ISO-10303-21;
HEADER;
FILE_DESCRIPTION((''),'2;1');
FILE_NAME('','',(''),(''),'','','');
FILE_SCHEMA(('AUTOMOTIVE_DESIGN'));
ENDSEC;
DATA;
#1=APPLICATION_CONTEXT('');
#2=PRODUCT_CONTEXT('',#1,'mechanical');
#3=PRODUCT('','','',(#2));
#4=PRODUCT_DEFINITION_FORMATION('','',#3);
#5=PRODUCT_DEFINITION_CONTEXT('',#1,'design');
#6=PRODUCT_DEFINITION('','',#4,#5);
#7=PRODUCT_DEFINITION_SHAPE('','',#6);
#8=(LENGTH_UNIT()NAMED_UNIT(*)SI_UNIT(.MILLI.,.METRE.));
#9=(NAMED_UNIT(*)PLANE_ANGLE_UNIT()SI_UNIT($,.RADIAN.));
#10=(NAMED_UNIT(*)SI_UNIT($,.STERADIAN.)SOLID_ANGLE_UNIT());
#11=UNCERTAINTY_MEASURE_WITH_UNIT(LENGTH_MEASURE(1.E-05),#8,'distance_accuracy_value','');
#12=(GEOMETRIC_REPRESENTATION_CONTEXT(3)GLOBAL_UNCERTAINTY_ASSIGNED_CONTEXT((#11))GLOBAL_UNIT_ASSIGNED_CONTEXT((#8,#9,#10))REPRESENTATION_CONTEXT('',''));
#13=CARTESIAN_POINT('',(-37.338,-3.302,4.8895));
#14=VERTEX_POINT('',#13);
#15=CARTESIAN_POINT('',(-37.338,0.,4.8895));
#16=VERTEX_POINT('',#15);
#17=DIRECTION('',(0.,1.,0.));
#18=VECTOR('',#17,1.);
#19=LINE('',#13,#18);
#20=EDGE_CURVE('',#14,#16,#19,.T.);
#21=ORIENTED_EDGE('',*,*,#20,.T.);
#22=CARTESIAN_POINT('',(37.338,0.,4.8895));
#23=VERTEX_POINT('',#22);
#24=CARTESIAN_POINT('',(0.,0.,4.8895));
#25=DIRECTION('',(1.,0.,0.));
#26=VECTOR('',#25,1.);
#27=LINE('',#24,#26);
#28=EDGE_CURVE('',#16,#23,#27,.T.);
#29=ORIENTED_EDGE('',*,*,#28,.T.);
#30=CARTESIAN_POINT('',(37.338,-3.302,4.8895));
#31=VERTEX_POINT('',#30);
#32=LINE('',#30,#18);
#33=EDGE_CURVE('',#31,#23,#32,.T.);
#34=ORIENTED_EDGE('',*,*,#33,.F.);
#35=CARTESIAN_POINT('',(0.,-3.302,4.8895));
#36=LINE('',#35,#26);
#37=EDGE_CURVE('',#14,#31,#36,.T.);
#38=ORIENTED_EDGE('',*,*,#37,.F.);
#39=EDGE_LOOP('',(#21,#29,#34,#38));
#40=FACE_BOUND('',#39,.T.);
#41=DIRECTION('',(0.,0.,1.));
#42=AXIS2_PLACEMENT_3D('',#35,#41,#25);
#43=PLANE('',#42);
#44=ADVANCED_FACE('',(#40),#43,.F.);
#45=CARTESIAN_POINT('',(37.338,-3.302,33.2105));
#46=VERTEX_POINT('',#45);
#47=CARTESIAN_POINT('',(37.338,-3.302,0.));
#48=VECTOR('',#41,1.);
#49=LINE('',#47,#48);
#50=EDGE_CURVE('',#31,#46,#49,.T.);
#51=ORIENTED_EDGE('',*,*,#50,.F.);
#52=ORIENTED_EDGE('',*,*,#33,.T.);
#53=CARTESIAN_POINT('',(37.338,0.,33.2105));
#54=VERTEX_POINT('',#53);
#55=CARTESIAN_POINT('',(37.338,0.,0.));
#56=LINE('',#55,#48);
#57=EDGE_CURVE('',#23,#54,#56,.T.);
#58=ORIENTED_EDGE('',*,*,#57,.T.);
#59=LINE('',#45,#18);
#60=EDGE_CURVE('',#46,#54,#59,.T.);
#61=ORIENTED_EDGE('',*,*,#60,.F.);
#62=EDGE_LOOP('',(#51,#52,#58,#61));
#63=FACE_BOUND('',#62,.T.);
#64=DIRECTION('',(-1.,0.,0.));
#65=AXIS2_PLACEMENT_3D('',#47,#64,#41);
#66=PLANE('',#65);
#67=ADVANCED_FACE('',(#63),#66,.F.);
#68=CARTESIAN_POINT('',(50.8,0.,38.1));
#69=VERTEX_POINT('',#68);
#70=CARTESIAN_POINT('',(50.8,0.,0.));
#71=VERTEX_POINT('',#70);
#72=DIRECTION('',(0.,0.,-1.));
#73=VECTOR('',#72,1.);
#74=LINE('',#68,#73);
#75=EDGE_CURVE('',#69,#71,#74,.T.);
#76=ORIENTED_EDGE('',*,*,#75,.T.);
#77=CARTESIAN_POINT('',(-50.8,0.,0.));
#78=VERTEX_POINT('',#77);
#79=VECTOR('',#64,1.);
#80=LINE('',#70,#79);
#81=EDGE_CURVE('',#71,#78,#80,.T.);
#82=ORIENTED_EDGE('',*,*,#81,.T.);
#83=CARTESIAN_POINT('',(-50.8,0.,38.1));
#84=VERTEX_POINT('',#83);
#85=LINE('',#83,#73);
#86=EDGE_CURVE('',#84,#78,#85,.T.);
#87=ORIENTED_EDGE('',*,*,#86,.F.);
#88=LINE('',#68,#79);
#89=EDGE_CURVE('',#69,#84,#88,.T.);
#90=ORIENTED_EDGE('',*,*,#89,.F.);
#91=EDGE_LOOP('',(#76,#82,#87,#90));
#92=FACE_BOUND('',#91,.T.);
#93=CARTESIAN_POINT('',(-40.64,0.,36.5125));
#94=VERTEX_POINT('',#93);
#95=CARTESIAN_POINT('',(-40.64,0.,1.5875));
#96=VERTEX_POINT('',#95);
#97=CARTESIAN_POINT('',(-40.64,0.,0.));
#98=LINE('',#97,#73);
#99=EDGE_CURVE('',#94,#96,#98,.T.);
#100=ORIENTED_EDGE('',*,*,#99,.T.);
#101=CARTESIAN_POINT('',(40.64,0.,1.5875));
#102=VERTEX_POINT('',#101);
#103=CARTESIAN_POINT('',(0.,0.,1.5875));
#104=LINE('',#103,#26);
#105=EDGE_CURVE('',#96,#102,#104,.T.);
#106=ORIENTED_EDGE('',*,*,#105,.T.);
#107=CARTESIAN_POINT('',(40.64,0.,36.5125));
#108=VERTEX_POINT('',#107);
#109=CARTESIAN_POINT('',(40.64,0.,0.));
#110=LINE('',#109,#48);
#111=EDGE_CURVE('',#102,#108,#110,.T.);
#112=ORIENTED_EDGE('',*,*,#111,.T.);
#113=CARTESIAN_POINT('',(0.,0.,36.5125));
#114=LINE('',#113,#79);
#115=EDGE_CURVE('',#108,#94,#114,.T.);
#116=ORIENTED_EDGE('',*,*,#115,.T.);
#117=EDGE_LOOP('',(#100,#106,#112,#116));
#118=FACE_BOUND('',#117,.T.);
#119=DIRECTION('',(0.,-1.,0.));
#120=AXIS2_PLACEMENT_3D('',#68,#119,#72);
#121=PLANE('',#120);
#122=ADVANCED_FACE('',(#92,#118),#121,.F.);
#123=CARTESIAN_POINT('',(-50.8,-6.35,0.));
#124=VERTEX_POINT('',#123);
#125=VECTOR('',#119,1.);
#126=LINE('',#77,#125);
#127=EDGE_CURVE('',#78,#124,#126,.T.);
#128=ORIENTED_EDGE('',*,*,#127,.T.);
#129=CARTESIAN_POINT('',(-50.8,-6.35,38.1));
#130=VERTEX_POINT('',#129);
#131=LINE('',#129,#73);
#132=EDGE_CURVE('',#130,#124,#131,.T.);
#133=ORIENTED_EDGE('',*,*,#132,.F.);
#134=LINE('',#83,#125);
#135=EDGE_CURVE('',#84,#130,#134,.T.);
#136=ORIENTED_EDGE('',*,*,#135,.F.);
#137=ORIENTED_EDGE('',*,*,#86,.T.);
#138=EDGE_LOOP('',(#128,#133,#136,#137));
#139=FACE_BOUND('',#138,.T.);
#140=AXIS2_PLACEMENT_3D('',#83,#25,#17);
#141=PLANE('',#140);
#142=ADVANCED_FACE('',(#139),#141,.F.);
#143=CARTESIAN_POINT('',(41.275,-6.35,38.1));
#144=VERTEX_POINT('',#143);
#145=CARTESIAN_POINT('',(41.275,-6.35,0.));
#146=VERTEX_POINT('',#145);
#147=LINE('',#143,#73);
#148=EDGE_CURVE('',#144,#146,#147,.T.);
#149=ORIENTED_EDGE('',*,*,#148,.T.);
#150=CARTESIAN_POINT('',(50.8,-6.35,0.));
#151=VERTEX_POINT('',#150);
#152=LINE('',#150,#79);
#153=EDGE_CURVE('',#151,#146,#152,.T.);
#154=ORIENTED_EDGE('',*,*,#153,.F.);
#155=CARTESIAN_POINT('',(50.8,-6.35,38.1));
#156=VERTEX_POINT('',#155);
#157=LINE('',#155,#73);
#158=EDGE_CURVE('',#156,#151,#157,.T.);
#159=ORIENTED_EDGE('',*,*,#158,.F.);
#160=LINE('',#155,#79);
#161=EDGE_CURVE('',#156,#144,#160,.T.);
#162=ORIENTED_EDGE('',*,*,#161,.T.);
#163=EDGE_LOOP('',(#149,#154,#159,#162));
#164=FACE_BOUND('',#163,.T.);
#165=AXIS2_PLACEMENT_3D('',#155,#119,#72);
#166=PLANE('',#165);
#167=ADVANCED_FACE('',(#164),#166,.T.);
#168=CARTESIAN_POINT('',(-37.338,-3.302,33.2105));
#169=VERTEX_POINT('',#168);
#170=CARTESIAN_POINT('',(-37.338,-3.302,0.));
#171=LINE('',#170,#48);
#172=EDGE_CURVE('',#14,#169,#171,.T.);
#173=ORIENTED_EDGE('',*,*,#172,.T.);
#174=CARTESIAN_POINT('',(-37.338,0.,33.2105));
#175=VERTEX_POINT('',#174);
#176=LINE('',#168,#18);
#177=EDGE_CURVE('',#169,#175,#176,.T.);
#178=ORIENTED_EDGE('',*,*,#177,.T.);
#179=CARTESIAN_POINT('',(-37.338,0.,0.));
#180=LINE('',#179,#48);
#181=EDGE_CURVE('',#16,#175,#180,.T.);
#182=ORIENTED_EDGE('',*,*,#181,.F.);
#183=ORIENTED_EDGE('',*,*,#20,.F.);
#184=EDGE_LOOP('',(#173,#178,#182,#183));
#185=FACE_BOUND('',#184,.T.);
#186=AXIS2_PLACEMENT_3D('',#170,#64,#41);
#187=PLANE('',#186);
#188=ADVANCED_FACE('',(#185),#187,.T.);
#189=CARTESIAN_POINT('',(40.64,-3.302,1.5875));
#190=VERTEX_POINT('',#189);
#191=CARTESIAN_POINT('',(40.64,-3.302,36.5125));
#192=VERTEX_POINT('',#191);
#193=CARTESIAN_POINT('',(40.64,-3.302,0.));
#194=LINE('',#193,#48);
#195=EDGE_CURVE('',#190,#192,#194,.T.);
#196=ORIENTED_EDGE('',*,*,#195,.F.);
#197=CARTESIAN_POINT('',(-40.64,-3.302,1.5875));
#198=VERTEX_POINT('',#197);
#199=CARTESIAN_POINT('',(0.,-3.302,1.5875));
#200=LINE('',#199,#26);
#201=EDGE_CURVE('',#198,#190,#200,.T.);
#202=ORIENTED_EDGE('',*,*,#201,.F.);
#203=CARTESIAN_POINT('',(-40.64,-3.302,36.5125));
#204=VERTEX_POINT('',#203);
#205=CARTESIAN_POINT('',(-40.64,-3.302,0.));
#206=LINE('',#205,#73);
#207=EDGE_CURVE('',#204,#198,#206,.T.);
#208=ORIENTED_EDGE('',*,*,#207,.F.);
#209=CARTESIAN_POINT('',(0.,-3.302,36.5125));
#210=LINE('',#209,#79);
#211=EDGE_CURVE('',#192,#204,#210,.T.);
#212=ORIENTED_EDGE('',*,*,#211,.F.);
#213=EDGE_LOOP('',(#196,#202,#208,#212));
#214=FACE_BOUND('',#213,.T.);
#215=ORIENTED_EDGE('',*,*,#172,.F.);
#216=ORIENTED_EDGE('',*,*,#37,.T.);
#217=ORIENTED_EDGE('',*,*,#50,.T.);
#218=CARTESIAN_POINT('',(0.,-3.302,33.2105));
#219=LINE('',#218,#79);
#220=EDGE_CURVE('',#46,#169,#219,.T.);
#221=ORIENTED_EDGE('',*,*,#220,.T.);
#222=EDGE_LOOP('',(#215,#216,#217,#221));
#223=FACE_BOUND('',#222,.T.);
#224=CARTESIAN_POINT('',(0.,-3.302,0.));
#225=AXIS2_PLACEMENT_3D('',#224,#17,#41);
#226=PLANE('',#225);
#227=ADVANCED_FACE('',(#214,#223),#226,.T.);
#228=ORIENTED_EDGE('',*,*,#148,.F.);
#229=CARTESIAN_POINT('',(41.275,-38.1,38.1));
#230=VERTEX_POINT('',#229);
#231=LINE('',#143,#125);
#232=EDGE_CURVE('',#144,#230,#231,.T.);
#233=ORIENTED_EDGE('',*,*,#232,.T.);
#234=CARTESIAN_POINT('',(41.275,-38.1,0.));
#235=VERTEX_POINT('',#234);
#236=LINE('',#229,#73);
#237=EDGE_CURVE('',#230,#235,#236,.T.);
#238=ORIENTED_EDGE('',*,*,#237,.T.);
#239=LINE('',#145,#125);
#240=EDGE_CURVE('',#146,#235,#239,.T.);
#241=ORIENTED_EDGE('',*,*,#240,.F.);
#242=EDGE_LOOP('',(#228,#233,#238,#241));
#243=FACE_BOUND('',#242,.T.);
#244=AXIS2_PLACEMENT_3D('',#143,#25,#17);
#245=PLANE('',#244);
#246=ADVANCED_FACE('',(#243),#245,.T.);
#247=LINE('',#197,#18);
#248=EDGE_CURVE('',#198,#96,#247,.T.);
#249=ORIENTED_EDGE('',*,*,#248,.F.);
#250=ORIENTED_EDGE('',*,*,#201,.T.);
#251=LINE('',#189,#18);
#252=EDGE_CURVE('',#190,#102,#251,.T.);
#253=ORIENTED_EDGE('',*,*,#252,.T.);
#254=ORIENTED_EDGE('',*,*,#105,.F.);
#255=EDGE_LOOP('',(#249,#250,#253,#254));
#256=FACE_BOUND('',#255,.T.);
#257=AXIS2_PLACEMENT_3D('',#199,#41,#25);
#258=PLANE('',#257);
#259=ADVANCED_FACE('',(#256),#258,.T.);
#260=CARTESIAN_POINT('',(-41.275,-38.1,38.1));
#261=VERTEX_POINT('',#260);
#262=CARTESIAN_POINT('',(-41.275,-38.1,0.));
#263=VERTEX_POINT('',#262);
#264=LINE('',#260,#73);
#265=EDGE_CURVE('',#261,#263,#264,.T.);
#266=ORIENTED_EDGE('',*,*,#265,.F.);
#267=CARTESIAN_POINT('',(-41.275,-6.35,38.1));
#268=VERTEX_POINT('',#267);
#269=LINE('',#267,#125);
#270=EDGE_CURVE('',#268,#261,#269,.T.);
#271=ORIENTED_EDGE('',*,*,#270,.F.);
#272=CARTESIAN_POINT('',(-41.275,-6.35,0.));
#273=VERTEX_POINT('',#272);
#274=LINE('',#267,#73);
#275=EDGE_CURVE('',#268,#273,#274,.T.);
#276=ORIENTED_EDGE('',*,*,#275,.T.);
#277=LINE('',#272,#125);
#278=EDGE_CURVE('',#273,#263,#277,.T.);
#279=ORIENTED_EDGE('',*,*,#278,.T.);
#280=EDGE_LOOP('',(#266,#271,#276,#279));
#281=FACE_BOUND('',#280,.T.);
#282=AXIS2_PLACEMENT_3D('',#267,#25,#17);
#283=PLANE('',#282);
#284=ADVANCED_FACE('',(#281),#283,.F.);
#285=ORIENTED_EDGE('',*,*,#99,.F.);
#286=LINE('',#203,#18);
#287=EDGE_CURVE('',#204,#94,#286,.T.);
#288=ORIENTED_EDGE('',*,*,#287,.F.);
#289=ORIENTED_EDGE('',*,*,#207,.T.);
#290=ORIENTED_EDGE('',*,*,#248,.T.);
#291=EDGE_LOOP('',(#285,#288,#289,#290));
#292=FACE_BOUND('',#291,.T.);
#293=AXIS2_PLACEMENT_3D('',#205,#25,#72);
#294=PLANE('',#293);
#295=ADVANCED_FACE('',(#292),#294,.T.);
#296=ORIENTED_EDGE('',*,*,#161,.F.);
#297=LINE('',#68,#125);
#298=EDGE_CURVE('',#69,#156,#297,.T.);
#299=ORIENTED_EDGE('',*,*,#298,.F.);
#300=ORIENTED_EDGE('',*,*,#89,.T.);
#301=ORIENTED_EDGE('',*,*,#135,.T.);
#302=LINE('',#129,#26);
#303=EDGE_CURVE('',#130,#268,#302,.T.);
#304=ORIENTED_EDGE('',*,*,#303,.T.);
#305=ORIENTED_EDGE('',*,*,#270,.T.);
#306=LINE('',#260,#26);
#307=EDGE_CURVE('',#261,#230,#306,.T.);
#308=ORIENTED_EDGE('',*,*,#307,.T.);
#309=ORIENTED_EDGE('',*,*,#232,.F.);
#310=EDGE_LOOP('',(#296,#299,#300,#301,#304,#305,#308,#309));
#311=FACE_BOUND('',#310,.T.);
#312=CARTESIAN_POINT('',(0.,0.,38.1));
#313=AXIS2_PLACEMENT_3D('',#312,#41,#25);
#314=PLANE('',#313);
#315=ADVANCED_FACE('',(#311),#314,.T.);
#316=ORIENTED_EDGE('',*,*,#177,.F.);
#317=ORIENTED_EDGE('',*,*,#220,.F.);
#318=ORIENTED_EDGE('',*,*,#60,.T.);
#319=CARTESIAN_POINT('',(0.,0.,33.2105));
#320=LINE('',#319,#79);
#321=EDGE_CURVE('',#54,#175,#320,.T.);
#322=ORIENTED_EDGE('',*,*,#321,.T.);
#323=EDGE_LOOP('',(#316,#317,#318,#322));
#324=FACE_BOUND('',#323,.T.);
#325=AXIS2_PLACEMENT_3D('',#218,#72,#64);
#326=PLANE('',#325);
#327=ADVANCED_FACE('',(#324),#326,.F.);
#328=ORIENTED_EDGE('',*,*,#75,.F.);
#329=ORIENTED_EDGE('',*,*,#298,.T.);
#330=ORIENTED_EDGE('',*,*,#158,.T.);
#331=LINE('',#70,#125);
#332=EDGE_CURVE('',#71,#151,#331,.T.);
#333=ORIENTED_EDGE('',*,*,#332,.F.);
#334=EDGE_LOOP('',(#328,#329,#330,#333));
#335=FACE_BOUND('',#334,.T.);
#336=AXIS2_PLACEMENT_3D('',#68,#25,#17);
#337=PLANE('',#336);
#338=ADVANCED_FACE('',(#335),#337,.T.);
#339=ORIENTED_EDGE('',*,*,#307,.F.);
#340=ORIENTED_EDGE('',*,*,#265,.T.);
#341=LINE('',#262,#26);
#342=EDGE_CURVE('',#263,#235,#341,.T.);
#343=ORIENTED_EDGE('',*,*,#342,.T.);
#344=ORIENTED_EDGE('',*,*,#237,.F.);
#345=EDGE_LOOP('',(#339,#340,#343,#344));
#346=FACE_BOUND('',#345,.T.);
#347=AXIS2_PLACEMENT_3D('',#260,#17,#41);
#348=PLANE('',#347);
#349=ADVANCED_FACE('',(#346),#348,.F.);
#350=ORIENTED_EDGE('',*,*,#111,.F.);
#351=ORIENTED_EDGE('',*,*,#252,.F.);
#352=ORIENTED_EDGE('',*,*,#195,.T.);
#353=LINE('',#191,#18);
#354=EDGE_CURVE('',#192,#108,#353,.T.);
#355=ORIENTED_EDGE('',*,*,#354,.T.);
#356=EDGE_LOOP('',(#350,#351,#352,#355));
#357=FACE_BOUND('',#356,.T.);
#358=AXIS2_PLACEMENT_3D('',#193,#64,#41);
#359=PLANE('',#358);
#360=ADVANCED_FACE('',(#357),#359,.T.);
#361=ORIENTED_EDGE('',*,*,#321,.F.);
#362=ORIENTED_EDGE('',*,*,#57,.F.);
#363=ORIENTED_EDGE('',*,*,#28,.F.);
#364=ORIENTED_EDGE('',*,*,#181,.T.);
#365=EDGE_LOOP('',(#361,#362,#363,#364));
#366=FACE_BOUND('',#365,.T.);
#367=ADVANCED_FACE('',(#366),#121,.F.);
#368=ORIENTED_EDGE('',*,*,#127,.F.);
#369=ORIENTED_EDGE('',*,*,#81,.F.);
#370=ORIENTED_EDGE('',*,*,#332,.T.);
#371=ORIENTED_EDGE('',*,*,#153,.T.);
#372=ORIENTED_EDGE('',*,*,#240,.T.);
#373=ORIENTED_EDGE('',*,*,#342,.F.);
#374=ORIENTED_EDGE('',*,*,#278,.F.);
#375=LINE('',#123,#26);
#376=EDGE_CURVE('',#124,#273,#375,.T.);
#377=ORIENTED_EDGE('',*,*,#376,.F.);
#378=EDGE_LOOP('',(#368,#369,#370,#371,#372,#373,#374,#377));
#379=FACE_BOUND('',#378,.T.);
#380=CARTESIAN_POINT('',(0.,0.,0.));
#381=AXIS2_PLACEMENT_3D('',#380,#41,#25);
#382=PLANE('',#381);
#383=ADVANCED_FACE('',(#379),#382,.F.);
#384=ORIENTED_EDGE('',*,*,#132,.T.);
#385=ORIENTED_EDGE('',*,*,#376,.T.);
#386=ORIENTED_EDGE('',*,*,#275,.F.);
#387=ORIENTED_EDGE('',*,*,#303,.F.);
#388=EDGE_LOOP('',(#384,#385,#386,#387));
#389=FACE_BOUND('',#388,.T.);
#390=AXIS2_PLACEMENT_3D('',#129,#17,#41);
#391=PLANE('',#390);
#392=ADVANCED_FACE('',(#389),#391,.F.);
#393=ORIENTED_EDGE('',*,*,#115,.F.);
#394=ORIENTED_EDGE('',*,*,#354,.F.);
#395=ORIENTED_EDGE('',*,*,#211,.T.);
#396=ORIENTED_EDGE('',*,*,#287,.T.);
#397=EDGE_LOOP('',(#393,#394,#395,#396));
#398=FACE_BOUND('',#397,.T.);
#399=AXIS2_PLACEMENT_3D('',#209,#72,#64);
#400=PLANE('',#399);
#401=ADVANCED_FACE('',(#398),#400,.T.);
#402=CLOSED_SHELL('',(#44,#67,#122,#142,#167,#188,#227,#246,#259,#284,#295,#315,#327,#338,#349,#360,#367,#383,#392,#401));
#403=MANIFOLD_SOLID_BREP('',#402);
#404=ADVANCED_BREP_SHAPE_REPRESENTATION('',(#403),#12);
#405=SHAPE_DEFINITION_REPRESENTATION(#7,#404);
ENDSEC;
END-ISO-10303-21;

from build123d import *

# Parameters (mm, degrees)
BOSS_EXTRUDE1_DEPTH = 38.1
SKETCH2_W           = 81.28
SKETCH2_H           = 34.925
SKETCH2_W_2         = 74.676
SKETCH2_H_2         = 28.321
CUT_EXTRUDE1_DEPTH  = 3.302


with BuildPart() as part:
    # Sketch1 → Boss-Extrude1 (new body)
    with BuildSketch(Plane.XY):
        Polygon((-50.8, 0), (-50.8, -6.35), (-41.275, -6.35), (-41.275, -38.1), (41.275, -38.1), (41.275, -6.35), (50.8, -6.35), (50.8, 0), align=None)
    extrude(amount=BOSS_EXTRUDE1_DEPTH)

    # Sketch2 → Cut-Extrude1 (cut)
    with BuildSketch(Plane(origin=(0, 0, 0), x_dir=(1, 0, 0), z_dir=(0, 1, 0))):
        with Locations((0, -19.05)):
            Rectangle(SKETCH2_W, SKETCH2_H)
        with Locations((0, -19.05)):
            Rectangle(SKETCH2_W_2, SKETCH2_H_2, mode=Mode.SUBTRACT)
    extrude(amount=-CUT_EXTRUDE1_DEPTH, mode=Mode.SUBTRACT)


solid = part.part
